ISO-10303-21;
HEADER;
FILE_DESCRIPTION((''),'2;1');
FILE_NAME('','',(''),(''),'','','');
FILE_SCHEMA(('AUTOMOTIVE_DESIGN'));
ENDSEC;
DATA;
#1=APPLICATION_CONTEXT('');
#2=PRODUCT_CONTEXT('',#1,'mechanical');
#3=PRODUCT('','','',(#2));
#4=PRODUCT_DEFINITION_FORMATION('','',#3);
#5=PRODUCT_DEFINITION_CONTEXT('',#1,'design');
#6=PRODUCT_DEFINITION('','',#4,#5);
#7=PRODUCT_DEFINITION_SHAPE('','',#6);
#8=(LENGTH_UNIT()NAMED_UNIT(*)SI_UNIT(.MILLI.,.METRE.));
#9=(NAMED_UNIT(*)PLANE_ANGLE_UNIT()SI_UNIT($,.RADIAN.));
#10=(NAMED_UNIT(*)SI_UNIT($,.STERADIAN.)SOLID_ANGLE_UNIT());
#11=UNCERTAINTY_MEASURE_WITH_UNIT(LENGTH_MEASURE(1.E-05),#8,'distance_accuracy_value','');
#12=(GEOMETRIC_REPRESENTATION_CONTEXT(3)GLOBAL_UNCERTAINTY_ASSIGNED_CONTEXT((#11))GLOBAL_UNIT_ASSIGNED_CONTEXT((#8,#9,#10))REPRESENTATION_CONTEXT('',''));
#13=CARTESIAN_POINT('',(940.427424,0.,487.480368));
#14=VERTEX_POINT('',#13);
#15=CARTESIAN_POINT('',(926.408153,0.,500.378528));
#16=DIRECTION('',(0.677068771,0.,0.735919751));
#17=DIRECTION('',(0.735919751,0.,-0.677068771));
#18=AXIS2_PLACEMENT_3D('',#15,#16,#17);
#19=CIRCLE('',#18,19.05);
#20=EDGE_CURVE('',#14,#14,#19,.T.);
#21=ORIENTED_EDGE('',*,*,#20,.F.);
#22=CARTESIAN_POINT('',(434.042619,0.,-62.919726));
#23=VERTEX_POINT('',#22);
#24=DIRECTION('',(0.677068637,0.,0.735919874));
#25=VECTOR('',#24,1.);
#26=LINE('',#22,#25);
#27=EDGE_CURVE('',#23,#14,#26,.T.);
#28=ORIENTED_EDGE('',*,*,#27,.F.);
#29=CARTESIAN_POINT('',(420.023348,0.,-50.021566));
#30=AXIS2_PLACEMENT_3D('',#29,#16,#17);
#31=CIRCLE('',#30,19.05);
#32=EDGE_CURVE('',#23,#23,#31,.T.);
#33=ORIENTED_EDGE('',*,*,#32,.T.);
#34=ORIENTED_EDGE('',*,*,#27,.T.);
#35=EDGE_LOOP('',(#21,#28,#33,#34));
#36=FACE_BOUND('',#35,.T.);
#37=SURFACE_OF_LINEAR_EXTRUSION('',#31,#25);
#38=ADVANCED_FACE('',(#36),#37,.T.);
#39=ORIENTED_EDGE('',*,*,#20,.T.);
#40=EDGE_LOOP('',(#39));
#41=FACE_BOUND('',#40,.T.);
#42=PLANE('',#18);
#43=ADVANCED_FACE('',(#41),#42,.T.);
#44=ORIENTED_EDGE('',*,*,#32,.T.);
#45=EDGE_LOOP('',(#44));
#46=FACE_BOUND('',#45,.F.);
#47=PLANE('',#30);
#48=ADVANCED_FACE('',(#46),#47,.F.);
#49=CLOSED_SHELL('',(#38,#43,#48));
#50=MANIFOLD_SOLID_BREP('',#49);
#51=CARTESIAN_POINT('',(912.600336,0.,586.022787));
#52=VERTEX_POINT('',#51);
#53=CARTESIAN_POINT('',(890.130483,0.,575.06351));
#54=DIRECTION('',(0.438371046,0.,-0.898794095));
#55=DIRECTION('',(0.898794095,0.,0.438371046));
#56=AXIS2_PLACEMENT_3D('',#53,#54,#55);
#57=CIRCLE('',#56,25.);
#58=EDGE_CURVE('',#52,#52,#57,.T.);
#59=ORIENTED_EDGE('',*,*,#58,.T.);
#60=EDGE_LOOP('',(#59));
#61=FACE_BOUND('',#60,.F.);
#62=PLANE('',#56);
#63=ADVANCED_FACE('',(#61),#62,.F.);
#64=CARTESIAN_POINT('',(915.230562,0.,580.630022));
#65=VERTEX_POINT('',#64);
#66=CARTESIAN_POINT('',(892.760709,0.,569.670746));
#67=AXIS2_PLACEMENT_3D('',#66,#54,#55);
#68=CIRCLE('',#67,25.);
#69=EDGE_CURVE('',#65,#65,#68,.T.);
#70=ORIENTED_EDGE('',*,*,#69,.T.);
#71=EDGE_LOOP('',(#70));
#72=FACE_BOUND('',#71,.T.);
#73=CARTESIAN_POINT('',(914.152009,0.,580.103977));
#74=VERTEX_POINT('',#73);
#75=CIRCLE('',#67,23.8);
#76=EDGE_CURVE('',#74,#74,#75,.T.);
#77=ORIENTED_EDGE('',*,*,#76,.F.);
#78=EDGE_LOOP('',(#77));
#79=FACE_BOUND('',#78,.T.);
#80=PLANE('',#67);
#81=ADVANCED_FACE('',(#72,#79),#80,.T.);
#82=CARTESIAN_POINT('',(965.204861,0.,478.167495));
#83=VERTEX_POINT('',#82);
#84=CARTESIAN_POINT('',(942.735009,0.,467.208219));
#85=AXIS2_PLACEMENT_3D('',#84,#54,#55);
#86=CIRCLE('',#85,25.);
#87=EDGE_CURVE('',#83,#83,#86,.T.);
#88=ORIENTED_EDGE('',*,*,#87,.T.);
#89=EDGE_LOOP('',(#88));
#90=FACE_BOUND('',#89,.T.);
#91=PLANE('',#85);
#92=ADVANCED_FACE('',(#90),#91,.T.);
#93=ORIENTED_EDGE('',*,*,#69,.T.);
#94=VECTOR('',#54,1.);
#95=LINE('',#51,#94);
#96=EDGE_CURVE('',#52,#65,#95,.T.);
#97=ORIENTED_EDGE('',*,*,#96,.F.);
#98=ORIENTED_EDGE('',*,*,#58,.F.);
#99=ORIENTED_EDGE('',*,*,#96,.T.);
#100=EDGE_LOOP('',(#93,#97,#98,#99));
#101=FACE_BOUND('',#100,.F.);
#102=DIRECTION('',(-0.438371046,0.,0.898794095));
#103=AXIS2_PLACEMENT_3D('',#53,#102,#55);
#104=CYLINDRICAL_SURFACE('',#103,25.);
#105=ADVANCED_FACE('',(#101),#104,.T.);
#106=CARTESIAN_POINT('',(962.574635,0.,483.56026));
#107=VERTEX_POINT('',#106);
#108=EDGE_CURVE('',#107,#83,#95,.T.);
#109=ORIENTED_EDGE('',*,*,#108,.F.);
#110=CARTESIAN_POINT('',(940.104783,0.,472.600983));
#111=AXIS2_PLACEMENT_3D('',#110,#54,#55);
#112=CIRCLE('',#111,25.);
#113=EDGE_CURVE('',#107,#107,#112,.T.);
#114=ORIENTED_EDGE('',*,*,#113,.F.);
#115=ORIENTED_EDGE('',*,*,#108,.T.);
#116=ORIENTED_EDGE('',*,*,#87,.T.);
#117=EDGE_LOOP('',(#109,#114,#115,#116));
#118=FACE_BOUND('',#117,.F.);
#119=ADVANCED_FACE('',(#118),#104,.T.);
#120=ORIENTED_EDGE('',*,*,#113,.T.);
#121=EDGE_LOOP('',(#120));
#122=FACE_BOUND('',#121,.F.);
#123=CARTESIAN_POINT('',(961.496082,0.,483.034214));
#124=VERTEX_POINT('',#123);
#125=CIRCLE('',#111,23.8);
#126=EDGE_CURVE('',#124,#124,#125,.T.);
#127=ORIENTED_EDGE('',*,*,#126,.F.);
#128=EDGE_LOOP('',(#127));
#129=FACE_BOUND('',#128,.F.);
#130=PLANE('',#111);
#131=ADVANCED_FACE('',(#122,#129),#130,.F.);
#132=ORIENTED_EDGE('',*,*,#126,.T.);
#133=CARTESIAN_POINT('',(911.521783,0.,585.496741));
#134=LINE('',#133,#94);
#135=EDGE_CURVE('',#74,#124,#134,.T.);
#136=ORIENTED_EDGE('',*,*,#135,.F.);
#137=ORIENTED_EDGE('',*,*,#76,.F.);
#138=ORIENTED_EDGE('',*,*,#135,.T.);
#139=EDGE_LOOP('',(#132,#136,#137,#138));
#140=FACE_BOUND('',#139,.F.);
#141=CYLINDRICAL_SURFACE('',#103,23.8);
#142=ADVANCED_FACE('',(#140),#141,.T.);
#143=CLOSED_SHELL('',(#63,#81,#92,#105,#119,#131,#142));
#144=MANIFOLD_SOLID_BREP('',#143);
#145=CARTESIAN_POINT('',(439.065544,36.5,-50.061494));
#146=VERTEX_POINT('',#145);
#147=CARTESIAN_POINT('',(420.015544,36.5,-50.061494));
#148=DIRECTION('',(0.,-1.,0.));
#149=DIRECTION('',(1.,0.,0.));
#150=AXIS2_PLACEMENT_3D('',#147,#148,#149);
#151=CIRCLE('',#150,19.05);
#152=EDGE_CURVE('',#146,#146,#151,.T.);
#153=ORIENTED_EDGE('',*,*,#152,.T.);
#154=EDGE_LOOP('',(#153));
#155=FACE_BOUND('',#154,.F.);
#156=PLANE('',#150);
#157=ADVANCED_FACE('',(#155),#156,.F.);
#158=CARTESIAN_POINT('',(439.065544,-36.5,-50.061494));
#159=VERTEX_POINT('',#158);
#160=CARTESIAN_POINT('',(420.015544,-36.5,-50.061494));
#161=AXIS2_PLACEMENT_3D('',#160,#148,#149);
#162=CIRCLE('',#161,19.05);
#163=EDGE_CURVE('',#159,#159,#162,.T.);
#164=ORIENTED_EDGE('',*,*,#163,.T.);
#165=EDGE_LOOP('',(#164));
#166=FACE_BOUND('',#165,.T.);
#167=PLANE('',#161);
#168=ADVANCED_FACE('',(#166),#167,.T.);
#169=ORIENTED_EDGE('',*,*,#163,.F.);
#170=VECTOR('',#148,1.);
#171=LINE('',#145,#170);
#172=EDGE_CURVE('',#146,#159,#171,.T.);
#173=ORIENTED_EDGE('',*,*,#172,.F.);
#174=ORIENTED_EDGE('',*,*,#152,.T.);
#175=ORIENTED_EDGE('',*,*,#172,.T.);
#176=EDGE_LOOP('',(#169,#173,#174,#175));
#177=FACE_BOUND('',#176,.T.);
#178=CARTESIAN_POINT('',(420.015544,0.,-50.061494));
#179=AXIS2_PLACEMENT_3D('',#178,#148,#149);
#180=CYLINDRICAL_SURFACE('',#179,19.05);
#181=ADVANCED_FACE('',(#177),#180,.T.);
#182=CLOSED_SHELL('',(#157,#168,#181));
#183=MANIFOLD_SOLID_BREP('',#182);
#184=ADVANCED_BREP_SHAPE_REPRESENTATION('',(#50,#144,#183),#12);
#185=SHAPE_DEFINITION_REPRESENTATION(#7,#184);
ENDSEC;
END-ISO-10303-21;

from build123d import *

# Parameters (mm, degrees)
F5_R      = 19.05
F6_DEPTH  = 36.5
F4_R      = 25
F4_R_2    = 23.8
F7_DEPTH  = 120
F8_DEPTH  = 114
F9_DEPTH  = 120
F10_DEPTH = 6
F2_R      = 19.05


with BuildPart() as f6:
    # F5 (on face) → F6 (new body, symmetric)
    with BuildSketch(Plane.XZ):
        with Locations((420.015544, -50.061494)):
            Circle(F5_R)
    extrude(amount=F6_DEPTH, both=True)


with BuildPart() as f7:
    # F4 (on face) → F7 (new body)
    with BuildSketch(Plane(origin=(-55.522448, 0, 113.837889), x_dir=(0.898794, 0, 0.438371), z_dir=(0.438371, 0, -0.898794))):
        with Locations((1052.135229, 0)):
            Circle(F4_R)
        with Locations((1052.135229, 0)):
            Circle(F4_R_2, mode=Mode.SUBTRACT)
    extrude(amount=F7_DEPTH)

    # F4 (on face) → F8 (cut)
    with BuildSketch(Plane(origin=(-55.522448, 0, 113.837889), x_dir=(0.898794, 0, 0.438371), z_dir=(0.438371, 0, -0.898794))):
        with Locations((1052.135229, 0)):
            Circle(F4_R_2)
        with Locations((1052.135229, 0)):
            Circle(F4_R)
        with Locations((1052.135229, 0)):
            Circle(F4_R_2, mode=Mode.SUBTRACT)
    extrude(amount=F8_DEPTH, mode=Mode.SUBTRACT)

    # F4 (on face) → F9 (join)
    with BuildSketch(Plane(origin=(-55.522448, 0, 113.837889), x_dir=(0.898794, 0, 0.438371), z_dir=(0.438371, 0, -0.898794))):
        with Locations((1052.135229, 0)):
            Circle(F4_R_2)
    extrude(amount=F9_DEPTH)

    # F4 (on face) → F10 (join)
    with BuildSketch(Plane(origin=(-55.522448, 0, 113.837889), x_dir=(0.898794, 0, 0.438371), z_dir=(0.438371, 0, -0.898794))):
        with Locations((1052.135229, 0)):
            Circle(F4_R)
        with Locations((1052.135229, 0)):
            Circle(F4_R_2, mode=Mode.SUBTRACT)
    extrude(amount=F10_DEPTH)


with BuildPart() as f11:
    # F11: sweep along a path in F0
    with BuildLine(Plane.XZ) as f11_path:
        Line((420, -50), (926.384805, 500.400094))
    # F2 (on face) → F11 (sweep)
    with BuildSketch(Plane(origin=(167.623801, 0, 182.193769), x_dir=(0.73592, 0, -0.677069), z_dir=(0.677069, 0, 0.73592))):
        with Locations((342.971563, 0)):
            Circle(F2_R)
    sweep(path=f11_path.line)


solid = Compound([f6.part, f7.part, f11.part])
